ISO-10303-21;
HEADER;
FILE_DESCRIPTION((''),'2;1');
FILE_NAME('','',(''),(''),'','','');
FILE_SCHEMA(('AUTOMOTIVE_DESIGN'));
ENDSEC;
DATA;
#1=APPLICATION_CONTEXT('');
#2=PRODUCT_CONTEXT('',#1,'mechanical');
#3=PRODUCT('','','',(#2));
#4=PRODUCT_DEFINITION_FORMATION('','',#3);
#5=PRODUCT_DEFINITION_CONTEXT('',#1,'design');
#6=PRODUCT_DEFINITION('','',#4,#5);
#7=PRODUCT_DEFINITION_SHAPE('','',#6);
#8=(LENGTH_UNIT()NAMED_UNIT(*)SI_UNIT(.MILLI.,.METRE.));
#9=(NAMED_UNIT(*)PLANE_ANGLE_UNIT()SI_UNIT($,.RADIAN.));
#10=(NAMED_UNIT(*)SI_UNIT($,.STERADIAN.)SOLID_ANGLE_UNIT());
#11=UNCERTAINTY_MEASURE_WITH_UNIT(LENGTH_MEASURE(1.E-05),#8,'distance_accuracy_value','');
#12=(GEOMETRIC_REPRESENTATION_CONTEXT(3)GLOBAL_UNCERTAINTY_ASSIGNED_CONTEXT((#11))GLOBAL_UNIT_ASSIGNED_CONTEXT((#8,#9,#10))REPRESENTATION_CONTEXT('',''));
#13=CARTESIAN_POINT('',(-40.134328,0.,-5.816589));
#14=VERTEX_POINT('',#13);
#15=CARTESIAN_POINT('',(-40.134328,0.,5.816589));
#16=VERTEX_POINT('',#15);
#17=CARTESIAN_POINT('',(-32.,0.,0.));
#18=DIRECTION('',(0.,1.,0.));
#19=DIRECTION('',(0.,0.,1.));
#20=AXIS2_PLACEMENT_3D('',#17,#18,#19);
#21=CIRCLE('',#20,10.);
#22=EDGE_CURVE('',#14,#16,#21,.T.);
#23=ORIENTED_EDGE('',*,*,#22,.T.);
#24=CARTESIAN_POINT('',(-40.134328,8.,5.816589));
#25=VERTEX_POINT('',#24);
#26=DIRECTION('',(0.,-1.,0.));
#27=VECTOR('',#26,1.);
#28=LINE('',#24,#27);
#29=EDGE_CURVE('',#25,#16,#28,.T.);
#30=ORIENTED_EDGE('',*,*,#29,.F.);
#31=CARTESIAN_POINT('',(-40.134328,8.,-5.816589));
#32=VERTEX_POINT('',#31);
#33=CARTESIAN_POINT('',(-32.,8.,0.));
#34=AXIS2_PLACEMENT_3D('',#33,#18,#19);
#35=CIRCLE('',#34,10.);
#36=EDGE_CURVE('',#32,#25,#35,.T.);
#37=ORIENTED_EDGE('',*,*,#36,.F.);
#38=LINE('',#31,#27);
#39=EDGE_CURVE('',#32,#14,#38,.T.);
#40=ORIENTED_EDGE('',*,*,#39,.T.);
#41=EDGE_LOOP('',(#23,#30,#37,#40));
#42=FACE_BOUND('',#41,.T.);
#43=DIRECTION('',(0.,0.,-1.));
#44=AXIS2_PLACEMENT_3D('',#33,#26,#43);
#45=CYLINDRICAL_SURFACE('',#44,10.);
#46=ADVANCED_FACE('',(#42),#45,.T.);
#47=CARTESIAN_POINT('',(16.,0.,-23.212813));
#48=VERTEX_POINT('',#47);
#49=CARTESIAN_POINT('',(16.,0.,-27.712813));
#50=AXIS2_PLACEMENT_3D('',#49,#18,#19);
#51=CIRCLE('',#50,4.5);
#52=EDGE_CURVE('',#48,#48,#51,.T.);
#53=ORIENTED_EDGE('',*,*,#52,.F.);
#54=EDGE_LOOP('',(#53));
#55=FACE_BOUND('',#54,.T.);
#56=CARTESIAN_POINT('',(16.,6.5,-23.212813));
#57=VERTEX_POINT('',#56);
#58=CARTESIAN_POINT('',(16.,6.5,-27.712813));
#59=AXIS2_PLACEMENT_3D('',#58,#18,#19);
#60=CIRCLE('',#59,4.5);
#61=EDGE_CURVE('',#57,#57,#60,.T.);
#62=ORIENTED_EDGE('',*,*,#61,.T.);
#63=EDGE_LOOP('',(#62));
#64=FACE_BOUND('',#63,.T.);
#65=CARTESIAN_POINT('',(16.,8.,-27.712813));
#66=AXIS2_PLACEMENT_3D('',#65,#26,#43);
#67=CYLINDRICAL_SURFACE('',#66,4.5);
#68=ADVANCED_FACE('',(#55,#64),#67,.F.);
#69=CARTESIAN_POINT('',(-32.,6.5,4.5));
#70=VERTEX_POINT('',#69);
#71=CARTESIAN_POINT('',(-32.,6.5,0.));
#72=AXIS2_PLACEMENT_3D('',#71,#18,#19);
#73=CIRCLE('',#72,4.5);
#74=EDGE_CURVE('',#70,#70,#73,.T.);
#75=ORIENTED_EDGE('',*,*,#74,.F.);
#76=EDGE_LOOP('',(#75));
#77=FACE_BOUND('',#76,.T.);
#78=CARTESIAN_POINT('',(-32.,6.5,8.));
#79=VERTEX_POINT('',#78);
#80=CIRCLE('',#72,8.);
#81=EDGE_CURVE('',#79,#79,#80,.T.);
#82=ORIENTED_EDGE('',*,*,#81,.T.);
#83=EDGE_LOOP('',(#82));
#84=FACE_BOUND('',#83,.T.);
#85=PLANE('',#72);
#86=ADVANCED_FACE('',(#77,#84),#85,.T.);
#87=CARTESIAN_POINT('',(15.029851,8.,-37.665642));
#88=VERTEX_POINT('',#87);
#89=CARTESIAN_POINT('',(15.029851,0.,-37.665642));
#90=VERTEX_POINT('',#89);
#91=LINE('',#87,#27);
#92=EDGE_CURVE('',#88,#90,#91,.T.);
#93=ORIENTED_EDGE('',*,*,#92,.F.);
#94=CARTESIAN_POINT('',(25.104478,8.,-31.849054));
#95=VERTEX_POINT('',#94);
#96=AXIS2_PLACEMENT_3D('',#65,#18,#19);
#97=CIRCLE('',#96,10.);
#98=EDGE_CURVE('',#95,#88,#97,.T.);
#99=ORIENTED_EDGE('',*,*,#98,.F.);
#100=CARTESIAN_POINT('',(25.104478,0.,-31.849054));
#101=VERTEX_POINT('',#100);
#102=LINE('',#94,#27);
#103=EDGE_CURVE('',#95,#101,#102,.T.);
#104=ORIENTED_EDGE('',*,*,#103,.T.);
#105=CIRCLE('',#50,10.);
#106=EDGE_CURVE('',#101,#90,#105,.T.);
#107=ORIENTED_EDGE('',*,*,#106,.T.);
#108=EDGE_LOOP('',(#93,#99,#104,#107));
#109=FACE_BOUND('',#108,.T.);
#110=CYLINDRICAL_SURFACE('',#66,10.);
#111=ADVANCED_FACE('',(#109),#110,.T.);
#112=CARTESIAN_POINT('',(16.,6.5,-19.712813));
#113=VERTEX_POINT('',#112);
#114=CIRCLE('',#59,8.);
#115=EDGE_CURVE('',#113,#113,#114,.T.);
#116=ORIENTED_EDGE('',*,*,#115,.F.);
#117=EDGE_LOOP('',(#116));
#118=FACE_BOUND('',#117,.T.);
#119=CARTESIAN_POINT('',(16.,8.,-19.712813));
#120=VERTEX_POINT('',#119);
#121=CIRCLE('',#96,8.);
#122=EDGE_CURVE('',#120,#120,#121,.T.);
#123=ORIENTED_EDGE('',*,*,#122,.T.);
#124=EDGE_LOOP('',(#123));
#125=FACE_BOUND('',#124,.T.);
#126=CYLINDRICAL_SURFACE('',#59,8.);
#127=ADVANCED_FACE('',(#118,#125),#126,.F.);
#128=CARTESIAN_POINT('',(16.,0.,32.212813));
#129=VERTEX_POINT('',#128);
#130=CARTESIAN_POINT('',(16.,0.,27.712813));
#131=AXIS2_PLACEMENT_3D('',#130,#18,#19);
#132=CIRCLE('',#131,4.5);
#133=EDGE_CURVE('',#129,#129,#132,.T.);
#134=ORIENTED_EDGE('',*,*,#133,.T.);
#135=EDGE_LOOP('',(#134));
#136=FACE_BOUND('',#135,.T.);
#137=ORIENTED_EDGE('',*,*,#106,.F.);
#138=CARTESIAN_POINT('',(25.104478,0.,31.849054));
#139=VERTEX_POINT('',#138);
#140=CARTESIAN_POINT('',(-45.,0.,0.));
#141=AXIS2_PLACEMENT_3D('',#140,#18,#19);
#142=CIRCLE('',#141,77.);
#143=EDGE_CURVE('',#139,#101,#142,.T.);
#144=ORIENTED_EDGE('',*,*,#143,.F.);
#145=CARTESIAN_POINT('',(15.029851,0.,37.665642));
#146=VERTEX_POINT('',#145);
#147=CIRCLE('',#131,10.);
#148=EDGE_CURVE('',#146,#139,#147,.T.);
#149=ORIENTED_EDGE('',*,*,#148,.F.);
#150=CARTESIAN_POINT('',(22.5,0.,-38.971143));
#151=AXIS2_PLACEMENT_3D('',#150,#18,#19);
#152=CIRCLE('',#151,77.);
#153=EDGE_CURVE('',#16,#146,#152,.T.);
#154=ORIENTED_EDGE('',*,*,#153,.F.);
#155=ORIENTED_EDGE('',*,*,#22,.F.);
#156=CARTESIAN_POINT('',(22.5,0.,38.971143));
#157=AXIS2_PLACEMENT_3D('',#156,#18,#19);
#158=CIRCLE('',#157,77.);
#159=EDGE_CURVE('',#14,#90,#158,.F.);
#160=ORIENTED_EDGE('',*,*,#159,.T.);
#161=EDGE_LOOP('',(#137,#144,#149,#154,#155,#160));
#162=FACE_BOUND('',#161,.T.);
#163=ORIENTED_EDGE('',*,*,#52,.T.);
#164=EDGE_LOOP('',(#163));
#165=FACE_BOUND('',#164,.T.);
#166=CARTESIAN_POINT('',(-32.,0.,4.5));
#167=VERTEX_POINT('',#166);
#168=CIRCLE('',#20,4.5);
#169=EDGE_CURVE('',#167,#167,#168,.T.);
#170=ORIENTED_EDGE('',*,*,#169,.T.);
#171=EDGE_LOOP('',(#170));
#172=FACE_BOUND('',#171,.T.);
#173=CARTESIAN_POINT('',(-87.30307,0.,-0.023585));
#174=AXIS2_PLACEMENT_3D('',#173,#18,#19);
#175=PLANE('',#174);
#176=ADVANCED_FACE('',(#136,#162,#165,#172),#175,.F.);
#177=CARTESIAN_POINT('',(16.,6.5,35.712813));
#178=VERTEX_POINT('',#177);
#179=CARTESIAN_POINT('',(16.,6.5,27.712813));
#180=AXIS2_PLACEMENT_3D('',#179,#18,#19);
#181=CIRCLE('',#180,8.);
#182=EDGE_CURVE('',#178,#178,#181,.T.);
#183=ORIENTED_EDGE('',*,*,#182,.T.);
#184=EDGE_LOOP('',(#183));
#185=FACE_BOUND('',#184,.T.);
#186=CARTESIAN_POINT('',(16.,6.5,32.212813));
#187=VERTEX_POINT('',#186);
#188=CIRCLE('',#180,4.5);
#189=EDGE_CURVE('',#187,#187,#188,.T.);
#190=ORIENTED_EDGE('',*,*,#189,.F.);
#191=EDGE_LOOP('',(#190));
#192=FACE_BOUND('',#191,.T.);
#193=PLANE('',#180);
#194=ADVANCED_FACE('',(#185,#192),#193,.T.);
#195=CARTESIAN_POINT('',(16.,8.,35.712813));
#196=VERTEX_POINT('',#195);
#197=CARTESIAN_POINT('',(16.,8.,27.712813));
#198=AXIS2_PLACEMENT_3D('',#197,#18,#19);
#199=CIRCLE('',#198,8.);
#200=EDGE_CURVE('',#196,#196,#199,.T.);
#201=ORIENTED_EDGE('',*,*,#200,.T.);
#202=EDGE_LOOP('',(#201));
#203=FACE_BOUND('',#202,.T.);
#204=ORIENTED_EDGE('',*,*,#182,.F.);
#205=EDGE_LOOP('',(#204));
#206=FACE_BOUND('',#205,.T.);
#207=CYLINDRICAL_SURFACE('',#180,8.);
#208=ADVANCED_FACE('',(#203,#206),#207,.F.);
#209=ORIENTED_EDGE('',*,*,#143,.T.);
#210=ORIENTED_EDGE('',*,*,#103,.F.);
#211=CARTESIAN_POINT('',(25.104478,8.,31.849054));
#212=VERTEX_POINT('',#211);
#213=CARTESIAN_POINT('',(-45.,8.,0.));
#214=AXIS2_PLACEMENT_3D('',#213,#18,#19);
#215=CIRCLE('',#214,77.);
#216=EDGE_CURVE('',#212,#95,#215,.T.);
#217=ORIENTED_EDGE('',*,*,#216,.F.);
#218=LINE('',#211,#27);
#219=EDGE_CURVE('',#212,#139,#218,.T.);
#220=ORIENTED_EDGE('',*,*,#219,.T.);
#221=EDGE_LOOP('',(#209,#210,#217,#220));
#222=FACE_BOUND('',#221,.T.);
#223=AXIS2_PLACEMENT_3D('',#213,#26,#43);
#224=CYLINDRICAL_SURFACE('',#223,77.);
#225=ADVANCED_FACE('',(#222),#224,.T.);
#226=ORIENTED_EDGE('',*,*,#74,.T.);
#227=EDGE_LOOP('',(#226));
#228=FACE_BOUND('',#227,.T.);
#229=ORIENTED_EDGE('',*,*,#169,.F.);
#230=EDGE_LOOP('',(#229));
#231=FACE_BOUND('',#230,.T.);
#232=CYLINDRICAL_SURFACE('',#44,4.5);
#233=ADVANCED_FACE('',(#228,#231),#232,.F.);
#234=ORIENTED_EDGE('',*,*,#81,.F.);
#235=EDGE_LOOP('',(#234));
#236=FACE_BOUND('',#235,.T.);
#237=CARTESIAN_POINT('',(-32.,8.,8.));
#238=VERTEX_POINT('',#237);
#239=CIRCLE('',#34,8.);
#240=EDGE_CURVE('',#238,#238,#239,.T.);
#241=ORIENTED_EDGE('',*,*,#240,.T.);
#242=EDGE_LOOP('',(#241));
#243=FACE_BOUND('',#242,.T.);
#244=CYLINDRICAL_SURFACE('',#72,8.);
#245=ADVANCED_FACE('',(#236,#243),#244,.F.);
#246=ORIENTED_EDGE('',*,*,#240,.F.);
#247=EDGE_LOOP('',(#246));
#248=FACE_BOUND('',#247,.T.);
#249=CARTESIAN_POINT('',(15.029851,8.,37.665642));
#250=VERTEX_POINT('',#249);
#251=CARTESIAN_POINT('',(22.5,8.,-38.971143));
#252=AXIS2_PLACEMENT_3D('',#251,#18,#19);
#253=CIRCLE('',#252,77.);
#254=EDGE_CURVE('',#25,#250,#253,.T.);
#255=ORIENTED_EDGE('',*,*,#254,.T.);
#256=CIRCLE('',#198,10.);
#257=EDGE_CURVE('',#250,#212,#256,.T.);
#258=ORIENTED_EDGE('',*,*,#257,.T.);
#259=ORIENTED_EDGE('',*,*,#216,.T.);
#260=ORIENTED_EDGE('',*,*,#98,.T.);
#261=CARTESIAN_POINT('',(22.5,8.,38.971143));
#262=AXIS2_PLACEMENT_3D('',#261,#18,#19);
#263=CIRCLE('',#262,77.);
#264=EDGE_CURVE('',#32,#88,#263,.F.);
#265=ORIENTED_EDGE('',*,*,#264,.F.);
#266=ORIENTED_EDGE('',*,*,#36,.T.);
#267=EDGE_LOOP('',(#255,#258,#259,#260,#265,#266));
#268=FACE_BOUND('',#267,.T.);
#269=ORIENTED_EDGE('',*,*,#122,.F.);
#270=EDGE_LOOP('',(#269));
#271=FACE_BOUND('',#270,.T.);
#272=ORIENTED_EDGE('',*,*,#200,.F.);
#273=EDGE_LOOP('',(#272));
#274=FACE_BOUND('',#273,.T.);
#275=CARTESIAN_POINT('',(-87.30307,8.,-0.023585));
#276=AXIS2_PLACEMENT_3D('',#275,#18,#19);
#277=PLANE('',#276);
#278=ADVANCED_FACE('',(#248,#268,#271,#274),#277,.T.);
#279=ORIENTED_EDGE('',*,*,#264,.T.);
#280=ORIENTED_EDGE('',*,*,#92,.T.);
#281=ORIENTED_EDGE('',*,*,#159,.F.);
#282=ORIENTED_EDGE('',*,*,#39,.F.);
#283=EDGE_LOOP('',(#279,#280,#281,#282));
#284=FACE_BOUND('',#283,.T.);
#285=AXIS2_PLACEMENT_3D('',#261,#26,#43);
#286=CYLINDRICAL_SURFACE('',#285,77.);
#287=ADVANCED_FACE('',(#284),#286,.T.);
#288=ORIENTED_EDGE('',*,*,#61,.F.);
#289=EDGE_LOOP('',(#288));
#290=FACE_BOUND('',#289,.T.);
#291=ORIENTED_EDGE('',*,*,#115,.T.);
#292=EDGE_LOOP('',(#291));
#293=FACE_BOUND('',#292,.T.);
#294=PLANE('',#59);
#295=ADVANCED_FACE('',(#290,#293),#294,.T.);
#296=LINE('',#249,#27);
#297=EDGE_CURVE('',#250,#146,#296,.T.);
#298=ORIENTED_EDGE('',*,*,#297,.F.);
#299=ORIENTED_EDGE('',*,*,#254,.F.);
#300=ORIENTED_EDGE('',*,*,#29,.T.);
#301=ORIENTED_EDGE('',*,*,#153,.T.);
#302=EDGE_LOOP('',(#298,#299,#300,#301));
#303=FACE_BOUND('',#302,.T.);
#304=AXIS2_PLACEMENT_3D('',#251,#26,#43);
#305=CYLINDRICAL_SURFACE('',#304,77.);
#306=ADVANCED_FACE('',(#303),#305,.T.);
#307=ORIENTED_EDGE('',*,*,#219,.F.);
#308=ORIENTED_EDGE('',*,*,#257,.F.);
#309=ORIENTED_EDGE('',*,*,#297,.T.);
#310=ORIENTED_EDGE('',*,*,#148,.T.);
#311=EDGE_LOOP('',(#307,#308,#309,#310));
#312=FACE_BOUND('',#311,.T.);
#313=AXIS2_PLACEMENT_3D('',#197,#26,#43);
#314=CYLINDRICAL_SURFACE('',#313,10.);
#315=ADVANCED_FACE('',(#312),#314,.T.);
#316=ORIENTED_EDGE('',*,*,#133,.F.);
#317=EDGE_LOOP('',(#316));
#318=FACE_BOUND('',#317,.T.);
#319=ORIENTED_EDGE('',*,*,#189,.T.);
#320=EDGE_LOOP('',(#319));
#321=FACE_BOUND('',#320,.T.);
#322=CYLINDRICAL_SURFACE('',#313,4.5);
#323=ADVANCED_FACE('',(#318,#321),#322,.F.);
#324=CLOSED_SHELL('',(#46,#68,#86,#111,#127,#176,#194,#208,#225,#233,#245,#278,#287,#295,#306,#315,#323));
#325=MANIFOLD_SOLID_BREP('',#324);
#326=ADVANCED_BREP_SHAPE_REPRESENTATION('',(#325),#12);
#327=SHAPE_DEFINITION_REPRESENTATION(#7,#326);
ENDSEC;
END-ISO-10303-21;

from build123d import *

# Parameters (mm, degrees)
EXTRUDE_1_DEPTH     = 8
SKETCH_1_3_R        = 10
SKETCH_1_3_R_2      = 4.5
EXTRUDE_2_DEPTH     = 8
SKETCH_2_R          = 8
CUT_EXTRUDE_1_DEPTH = 1.5


with BuildPart() as part:
    # 草圖1 → 填料-伸長1 (new body)
    with BuildSketch(Plane(origin=(0, 0, 0), x_dir=(1, 0, 0), z_dir=(0, 1, 0))):
        with BuildLine():
            ThreePointArc((-40.134328358, 5.816588533), (-28.945763891, 9.522165814), (-22, 0))
            ThreePointArc((-22, 0), (-28.945763891, -9.522165814), (-40.134328358, -5.816588533))
            ThreePointArc((-40.134328358, -5.816588533), (-16, -27.712812921), (15.029850746, -37.665642188))
            ThreePointArc((15.029850746, -37.665642188), (9.28068056, -20.306683955), (26, -27.712812921))
            ThreePointArc((26, -27.712812921), (25.773555549, -29.828849769), (25.104477612, -31.849053656))
            ThreePointArc((25.104477612, -31.849053656), (32, 0), (25.104477612, 31.849053656))
            ThreePointArc((25.104477612, 31.849053656), (25.773555549, 29.828849769), (26, 27.712812921))
            ThreePointArc((26, 27.712812921), (9.28068056, 20.306683955), (15.029850746, 37.665642188))
            ThreePointArc((15.029850746, 37.665642188), (-16, 27.712812921), (-40.134328358, 5.816588533))
        make_face()
    extrude(amount=EXTRUDE_1_DEPTH)

    # 草圖1<3> → 填料-伸長2 (add)
    # profile 1 of 3: a face of its own
    with BuildSketch(Plane(origin=(0, 0, 0), x_dir=(1, 0, 0), z_dir=(0, 1, 0))):
        with Locations((-32, 0)):
            Circle(SKETCH_1_3_R)
        with Locations((-32, 0)):
            Circle(SKETCH_1_3_R_2, mode=Mode.SUBTRACT)
    # profile 2 of 3: a face of its own
    with BuildSketch(Plane(origin=(0, 0, 0), x_dir=(1, 0, 0), z_dir=(0, 1, 0))):
        with Locations((16, 27.712812921)):
            Circle(SKETCH_1_3_R)
        with Locations((16, 27.712812921)):
            Circle(SKETCH_1_3_R_2, mode=Mode.SUBTRACT)
    # profile 3 of 3: a face of its own
    with BuildSketch(Plane(origin=(0, 0, 0), x_dir=(1, 0, 0), z_dir=(0, 1, 0))):
        with Locations((16, -27.712812921)):
            Circle(SKETCH_1_3_R)
        with Locations((16, -27.712812921)):
            Circle(SKETCH_1_3_R_2, mode=Mode.SUBTRACT)
    extrude(amount=EXTRUDE_2_DEPTH)

    # 草圖2 → 除料-伸長1 (cut)
    with BuildSketch(Plane(origin=(0, 8, 0), x_dir=(1, 0, 0), z_dir=(0, 1, 0))):
        with Locations((-32, 0)):
            Circle(SKETCH_2_R)
        with Locations((16, 27.712812921)):
            Circle(SKETCH_2_R)
        with Locations((16, -27.712812921)):
            Circle(SKETCH_2_R)
    extrude(amount=-CUT_EXTRUDE_1_DEPTH, mode=Mode.SUBTRACT)


solid = part.part
